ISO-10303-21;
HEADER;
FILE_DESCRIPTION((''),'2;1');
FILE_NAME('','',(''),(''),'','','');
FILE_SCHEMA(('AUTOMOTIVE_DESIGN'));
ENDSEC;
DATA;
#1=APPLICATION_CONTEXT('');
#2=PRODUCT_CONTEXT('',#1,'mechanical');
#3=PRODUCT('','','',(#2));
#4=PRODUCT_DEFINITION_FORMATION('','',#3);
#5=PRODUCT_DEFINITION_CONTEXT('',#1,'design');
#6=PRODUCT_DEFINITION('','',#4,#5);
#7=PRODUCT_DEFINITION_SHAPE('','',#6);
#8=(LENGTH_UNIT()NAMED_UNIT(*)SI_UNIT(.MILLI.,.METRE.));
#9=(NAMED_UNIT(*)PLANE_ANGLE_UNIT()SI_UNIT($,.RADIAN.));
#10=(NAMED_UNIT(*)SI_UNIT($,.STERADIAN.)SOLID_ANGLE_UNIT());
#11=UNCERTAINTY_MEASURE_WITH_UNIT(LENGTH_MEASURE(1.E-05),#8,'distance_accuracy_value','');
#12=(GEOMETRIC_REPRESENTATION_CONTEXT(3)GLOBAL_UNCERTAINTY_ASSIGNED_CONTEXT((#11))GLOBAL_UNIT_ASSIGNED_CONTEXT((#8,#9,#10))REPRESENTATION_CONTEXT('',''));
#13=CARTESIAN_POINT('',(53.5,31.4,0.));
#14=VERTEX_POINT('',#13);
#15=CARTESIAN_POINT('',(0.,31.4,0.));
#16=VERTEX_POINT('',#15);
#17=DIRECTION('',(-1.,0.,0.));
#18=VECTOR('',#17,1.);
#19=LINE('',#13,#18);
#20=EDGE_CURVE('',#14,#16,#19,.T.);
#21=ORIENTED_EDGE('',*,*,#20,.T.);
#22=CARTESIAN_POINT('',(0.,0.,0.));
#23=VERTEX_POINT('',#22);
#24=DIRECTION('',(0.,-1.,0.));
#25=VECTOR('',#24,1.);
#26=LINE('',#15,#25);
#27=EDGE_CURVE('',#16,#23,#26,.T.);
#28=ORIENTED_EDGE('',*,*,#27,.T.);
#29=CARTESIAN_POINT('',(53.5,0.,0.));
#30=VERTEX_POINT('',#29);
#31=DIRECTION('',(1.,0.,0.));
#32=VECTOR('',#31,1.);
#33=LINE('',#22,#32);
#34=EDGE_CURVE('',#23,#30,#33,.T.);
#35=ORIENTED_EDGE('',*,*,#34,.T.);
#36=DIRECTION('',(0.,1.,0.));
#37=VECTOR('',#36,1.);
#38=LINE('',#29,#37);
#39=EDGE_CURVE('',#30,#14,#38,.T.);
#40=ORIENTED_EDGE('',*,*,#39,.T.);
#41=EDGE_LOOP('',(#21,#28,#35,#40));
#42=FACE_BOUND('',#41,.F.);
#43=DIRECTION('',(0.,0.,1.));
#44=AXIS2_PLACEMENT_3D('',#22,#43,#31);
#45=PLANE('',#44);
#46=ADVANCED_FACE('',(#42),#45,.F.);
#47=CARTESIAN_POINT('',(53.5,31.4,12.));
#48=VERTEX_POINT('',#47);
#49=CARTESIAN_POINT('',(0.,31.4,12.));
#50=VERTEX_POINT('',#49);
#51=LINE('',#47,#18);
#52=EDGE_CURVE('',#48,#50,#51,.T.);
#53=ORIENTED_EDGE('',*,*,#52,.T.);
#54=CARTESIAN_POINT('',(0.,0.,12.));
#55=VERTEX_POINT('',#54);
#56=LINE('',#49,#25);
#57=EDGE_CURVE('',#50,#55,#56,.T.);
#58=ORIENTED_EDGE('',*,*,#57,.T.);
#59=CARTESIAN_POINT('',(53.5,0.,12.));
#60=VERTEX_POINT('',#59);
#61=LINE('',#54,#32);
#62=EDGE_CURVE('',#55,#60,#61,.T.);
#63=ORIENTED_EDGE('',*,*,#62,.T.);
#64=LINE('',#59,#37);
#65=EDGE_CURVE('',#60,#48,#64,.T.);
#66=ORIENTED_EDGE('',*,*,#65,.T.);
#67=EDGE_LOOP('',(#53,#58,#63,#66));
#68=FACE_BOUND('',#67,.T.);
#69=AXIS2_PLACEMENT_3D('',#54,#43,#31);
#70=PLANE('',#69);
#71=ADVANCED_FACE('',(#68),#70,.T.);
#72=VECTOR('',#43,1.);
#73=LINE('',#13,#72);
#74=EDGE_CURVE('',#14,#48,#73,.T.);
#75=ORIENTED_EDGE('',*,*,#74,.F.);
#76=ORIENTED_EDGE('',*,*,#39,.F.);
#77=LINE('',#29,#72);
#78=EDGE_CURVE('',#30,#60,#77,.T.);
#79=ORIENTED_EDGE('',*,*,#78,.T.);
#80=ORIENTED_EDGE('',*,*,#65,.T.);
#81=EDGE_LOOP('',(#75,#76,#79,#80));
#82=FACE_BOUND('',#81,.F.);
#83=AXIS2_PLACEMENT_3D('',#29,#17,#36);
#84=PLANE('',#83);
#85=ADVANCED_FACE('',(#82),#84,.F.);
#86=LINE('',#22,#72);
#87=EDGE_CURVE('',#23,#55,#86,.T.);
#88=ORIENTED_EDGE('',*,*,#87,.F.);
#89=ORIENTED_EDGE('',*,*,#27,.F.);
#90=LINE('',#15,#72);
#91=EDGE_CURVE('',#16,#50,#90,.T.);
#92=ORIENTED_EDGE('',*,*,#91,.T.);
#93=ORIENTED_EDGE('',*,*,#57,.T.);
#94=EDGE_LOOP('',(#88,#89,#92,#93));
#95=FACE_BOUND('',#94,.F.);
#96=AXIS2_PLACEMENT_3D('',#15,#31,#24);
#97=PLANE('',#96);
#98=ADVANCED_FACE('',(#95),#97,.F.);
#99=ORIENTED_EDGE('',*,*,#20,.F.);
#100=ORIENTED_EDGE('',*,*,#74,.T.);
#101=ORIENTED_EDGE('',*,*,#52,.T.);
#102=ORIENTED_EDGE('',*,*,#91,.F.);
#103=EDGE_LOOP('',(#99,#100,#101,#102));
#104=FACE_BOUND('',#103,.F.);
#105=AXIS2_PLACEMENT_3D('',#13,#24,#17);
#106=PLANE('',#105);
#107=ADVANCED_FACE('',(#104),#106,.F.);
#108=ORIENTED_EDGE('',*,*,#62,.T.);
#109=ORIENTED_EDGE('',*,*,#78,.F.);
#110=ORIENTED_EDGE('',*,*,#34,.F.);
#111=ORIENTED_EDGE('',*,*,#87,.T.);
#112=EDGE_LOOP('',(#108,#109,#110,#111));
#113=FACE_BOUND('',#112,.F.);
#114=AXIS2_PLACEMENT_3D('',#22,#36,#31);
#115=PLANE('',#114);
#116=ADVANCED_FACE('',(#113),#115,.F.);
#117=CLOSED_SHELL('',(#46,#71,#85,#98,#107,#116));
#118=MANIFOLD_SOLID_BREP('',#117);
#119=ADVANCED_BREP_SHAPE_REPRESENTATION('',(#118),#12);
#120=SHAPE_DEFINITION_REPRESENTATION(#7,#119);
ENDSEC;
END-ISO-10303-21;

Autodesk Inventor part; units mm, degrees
ref_plane "YZ Plane" through (0, 0, 0) normal (1, 0, 0) x (0, 1, 0)
ref_plane "XZ Plane" through (0, 0, 0) normal (0, 1, 0) x (-1, 0, 0)
ref_plane "XY Plane" through (0, 0, 0) normal (0, 0, 1) x (1, 0, 0)
sketch "スケッチ1" plane through (0, 0, 0) normal (0, 0, 1) x (1, 0, 0)
  line L0 (0, 0) -> (53.5, 0)
  line L1 (53.5, 0) -> (53.5, 31.4)
  line L2 (53.5, 31.4) -> (0, 31.4)
  line L3 (0, 31.4) -> (0, 0)
  dimension "d0" = 53.5
  dimension "d1" = 31.4
extrude "押し出し1" add sketch "スケッチ1" along normal blind 12
properties part number "mbed"
